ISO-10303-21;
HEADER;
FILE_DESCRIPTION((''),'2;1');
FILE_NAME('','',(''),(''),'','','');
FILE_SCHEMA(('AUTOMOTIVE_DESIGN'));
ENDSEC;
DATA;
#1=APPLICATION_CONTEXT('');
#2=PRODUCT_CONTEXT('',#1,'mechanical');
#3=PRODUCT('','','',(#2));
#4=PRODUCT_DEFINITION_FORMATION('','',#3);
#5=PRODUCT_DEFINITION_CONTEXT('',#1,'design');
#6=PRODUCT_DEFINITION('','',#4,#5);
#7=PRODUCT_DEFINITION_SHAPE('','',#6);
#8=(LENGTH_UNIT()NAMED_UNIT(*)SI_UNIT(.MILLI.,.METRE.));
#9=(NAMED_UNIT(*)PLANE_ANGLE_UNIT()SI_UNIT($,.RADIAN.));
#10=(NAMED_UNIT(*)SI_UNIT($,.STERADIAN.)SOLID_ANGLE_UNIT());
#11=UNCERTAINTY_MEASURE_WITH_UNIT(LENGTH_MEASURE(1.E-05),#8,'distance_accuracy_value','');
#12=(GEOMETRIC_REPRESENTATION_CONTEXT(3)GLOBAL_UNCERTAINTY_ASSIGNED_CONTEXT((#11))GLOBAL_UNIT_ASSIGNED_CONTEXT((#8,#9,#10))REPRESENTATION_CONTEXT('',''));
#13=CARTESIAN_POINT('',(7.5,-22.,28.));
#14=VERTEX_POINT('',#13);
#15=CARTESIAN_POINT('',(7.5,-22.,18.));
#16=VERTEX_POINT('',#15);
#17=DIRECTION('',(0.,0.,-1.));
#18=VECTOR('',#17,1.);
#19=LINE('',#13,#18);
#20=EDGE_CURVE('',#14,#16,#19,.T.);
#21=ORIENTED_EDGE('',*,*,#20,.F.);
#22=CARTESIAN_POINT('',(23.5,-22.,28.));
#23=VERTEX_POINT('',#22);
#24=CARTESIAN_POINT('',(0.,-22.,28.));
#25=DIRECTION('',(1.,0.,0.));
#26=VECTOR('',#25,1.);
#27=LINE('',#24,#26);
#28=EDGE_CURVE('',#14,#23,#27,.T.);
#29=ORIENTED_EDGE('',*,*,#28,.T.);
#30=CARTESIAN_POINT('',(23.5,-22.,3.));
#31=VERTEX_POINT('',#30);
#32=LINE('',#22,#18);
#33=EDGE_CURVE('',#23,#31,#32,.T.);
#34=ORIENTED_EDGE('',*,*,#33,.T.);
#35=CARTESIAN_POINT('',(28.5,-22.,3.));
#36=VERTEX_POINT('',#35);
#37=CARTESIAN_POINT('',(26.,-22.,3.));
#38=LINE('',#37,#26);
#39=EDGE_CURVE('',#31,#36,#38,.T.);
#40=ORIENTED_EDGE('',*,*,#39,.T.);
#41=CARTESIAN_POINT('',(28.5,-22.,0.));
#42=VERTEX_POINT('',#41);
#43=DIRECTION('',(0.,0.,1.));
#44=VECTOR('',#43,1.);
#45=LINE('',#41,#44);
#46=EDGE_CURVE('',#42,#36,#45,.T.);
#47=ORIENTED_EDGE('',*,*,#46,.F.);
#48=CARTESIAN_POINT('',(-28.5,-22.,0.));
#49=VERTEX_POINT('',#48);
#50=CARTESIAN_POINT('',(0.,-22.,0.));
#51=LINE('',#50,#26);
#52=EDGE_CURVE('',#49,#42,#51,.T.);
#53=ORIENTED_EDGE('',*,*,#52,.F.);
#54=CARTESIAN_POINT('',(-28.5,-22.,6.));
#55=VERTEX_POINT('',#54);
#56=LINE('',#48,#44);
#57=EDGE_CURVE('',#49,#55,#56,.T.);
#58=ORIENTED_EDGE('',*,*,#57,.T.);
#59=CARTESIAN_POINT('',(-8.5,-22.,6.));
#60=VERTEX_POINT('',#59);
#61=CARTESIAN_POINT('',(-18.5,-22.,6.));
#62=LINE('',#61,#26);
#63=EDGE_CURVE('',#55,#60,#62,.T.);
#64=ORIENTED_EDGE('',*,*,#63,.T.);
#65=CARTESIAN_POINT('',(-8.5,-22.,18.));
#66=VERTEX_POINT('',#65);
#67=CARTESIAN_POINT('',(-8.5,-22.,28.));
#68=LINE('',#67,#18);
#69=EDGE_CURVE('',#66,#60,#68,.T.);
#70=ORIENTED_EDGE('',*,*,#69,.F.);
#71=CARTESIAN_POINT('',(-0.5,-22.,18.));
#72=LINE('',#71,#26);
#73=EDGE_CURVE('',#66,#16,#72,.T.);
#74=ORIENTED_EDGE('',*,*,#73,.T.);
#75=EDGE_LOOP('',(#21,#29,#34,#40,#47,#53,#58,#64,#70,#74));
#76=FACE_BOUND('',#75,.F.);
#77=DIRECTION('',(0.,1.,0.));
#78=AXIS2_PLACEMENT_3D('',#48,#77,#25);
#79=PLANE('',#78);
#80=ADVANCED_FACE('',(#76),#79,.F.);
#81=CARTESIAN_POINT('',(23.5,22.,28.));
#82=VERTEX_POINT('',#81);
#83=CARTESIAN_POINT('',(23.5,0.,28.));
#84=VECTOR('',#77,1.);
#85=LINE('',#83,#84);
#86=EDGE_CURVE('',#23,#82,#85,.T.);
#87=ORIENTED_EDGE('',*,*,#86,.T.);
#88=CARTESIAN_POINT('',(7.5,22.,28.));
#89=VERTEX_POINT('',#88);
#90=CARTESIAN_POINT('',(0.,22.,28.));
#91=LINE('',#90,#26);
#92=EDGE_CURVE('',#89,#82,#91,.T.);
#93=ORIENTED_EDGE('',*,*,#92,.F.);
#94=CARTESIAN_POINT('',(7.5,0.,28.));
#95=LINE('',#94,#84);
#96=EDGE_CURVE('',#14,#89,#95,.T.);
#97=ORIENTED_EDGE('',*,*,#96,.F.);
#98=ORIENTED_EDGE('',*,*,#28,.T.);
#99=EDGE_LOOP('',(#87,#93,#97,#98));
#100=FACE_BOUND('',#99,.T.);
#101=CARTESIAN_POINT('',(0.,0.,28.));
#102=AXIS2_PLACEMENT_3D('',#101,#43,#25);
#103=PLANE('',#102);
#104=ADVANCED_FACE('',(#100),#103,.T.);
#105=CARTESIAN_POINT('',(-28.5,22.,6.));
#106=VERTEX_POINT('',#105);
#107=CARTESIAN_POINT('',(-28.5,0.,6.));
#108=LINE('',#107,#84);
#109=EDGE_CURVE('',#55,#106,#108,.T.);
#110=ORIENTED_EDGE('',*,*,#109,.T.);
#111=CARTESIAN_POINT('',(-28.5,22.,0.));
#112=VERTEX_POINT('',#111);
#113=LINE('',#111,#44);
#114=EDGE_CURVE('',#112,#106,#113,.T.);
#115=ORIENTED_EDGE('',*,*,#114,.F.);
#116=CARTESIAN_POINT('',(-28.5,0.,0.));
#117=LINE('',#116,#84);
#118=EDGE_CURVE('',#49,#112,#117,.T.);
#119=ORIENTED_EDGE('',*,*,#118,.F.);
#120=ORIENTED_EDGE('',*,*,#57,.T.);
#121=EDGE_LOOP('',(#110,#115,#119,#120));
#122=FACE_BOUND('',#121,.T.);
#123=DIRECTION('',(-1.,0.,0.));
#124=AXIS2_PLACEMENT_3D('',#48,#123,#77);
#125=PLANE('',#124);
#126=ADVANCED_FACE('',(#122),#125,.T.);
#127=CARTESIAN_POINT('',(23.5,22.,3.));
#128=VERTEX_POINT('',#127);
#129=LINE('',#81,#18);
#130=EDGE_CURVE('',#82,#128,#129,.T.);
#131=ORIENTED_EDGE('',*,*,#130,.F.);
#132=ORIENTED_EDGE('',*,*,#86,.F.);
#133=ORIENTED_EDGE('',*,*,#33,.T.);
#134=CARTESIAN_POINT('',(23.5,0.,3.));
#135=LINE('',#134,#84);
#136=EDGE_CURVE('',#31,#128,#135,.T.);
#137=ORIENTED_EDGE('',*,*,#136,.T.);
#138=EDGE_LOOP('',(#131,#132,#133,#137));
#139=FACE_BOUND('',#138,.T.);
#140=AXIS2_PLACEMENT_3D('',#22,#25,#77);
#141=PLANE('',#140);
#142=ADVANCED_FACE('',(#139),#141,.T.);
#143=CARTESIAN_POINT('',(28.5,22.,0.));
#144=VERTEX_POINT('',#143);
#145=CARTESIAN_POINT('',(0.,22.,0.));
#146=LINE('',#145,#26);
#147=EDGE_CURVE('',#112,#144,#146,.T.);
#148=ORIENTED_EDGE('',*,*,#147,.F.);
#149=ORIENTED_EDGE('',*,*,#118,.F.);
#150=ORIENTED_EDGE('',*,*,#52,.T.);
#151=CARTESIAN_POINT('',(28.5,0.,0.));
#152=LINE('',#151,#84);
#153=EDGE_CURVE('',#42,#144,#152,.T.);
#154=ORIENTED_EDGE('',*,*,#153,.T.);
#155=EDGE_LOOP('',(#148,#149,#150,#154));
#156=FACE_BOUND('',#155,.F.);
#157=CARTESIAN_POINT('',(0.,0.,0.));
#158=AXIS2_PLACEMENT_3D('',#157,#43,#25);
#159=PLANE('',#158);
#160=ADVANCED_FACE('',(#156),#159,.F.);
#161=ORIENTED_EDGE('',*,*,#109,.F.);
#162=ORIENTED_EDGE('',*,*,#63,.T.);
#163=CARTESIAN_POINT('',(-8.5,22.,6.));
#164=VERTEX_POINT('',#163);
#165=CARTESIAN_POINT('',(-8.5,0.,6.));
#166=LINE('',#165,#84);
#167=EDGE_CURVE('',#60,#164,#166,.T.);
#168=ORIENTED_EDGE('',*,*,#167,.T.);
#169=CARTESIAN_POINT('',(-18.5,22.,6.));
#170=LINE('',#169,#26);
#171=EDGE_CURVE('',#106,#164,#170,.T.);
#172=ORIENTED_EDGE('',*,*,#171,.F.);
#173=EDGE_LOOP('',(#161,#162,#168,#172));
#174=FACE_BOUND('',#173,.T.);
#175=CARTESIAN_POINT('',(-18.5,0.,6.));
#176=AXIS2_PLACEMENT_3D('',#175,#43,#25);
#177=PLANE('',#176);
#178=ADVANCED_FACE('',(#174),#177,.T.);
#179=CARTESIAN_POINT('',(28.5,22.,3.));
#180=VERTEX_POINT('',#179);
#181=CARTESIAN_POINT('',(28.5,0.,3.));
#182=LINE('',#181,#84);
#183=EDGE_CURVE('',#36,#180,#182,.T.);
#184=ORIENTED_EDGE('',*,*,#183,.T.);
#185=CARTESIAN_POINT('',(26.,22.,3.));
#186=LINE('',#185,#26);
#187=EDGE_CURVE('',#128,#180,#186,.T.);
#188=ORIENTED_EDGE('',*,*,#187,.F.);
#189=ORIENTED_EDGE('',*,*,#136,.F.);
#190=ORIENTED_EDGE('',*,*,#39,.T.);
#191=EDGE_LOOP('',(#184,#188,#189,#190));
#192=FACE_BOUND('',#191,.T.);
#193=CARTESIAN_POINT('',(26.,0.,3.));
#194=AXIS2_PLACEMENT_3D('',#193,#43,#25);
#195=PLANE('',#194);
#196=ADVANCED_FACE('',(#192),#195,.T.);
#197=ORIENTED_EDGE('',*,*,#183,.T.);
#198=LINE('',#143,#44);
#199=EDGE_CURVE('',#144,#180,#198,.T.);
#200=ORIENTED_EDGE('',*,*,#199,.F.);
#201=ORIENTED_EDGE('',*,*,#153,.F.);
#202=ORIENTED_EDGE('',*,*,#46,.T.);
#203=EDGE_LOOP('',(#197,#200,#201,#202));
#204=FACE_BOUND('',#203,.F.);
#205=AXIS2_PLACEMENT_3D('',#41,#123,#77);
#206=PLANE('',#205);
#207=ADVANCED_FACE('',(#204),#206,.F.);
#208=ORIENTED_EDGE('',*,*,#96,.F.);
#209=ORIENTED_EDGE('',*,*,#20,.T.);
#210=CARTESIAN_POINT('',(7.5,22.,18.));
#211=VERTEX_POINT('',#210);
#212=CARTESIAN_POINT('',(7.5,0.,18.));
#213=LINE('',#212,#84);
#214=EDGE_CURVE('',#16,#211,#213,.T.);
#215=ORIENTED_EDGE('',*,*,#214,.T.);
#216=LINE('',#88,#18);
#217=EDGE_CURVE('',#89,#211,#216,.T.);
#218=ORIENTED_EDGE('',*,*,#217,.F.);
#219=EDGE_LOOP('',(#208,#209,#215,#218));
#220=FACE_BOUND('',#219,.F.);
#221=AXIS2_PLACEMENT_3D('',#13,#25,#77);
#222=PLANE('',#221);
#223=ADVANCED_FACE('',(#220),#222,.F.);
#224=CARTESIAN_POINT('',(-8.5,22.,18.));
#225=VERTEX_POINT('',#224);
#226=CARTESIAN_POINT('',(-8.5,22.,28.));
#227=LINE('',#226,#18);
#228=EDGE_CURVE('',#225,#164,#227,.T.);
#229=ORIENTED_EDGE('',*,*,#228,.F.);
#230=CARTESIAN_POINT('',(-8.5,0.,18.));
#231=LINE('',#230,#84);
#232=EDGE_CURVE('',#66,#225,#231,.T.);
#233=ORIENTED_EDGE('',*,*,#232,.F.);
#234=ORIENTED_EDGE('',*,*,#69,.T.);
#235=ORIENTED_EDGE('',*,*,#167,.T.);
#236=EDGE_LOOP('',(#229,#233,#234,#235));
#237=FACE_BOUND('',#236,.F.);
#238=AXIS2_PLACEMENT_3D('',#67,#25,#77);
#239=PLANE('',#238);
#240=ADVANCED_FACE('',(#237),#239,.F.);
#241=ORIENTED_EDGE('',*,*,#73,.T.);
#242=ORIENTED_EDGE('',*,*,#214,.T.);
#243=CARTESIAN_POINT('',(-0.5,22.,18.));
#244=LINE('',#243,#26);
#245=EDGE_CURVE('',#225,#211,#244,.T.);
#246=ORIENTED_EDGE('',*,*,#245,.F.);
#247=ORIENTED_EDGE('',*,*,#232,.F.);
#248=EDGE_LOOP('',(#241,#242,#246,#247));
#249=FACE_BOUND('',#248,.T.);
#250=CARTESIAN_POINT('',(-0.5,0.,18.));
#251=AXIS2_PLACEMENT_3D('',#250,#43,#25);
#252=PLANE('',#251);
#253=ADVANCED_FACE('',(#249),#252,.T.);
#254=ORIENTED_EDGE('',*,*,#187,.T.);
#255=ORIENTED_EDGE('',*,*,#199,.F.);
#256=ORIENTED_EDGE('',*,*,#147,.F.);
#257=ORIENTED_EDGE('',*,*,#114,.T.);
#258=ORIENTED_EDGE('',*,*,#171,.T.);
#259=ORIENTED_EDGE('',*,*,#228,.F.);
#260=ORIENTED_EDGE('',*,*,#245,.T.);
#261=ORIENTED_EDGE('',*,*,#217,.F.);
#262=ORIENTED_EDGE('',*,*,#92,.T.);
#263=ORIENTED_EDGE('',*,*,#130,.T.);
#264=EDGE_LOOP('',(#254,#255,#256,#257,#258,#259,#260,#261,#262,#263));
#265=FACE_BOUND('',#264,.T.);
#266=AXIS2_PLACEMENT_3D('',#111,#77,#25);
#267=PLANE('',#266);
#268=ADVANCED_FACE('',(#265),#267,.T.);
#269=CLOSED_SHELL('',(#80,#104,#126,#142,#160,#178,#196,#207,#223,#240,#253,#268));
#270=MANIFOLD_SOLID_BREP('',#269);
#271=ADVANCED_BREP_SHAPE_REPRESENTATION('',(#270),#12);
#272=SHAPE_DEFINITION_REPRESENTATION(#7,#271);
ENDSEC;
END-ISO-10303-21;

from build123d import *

# Parameters (mm, degrees)
F0_W     = 57
F0_H     = 44
F1_DEPTH = 28
F2_W     = 20
F2_H     = 44
F3_DEPTH = 22
F4_W     = 16
F4_H     = 44
F5_DEPTH = 10
F6_W     = 5
F6_H     = 44
F7_DEPTH = 25


with BuildPart() as f1:
    # F0 (on Top) → F1 (new body)
    with BuildSketch(Plane.XY):
        Rectangle(F0_W, F0_H)
    extrude(amount=F1_DEPTH)

    # F2 (on face) → F3 (cut)
    with BuildSketch(Plane.XY.offset(28)):
        with Locations((-18.5, 0)):
            Rectangle(F2_W, F2_H)
    extrude(amount=-F3_DEPTH, mode=Mode.SUBTRACT)

    # F4 (on face) → F5 (cut)
    with BuildSketch(Plane.XY.offset(28)):
        with Locations((-0.5, 0)):
            Rectangle(F4_W, F4_H)
    extrude(amount=-F5_DEPTH, mode=Mode.SUBTRACT)

    # F6 (on face) → F7 (cut)
    with BuildSketch(Plane.XY.offset(28)):
        with Locations((26, 0)):
            Rectangle(F6_W, F6_H)
    extrude(amount=-F7_DEPTH, mode=Mode.SUBTRACT)


solid = f1.part
